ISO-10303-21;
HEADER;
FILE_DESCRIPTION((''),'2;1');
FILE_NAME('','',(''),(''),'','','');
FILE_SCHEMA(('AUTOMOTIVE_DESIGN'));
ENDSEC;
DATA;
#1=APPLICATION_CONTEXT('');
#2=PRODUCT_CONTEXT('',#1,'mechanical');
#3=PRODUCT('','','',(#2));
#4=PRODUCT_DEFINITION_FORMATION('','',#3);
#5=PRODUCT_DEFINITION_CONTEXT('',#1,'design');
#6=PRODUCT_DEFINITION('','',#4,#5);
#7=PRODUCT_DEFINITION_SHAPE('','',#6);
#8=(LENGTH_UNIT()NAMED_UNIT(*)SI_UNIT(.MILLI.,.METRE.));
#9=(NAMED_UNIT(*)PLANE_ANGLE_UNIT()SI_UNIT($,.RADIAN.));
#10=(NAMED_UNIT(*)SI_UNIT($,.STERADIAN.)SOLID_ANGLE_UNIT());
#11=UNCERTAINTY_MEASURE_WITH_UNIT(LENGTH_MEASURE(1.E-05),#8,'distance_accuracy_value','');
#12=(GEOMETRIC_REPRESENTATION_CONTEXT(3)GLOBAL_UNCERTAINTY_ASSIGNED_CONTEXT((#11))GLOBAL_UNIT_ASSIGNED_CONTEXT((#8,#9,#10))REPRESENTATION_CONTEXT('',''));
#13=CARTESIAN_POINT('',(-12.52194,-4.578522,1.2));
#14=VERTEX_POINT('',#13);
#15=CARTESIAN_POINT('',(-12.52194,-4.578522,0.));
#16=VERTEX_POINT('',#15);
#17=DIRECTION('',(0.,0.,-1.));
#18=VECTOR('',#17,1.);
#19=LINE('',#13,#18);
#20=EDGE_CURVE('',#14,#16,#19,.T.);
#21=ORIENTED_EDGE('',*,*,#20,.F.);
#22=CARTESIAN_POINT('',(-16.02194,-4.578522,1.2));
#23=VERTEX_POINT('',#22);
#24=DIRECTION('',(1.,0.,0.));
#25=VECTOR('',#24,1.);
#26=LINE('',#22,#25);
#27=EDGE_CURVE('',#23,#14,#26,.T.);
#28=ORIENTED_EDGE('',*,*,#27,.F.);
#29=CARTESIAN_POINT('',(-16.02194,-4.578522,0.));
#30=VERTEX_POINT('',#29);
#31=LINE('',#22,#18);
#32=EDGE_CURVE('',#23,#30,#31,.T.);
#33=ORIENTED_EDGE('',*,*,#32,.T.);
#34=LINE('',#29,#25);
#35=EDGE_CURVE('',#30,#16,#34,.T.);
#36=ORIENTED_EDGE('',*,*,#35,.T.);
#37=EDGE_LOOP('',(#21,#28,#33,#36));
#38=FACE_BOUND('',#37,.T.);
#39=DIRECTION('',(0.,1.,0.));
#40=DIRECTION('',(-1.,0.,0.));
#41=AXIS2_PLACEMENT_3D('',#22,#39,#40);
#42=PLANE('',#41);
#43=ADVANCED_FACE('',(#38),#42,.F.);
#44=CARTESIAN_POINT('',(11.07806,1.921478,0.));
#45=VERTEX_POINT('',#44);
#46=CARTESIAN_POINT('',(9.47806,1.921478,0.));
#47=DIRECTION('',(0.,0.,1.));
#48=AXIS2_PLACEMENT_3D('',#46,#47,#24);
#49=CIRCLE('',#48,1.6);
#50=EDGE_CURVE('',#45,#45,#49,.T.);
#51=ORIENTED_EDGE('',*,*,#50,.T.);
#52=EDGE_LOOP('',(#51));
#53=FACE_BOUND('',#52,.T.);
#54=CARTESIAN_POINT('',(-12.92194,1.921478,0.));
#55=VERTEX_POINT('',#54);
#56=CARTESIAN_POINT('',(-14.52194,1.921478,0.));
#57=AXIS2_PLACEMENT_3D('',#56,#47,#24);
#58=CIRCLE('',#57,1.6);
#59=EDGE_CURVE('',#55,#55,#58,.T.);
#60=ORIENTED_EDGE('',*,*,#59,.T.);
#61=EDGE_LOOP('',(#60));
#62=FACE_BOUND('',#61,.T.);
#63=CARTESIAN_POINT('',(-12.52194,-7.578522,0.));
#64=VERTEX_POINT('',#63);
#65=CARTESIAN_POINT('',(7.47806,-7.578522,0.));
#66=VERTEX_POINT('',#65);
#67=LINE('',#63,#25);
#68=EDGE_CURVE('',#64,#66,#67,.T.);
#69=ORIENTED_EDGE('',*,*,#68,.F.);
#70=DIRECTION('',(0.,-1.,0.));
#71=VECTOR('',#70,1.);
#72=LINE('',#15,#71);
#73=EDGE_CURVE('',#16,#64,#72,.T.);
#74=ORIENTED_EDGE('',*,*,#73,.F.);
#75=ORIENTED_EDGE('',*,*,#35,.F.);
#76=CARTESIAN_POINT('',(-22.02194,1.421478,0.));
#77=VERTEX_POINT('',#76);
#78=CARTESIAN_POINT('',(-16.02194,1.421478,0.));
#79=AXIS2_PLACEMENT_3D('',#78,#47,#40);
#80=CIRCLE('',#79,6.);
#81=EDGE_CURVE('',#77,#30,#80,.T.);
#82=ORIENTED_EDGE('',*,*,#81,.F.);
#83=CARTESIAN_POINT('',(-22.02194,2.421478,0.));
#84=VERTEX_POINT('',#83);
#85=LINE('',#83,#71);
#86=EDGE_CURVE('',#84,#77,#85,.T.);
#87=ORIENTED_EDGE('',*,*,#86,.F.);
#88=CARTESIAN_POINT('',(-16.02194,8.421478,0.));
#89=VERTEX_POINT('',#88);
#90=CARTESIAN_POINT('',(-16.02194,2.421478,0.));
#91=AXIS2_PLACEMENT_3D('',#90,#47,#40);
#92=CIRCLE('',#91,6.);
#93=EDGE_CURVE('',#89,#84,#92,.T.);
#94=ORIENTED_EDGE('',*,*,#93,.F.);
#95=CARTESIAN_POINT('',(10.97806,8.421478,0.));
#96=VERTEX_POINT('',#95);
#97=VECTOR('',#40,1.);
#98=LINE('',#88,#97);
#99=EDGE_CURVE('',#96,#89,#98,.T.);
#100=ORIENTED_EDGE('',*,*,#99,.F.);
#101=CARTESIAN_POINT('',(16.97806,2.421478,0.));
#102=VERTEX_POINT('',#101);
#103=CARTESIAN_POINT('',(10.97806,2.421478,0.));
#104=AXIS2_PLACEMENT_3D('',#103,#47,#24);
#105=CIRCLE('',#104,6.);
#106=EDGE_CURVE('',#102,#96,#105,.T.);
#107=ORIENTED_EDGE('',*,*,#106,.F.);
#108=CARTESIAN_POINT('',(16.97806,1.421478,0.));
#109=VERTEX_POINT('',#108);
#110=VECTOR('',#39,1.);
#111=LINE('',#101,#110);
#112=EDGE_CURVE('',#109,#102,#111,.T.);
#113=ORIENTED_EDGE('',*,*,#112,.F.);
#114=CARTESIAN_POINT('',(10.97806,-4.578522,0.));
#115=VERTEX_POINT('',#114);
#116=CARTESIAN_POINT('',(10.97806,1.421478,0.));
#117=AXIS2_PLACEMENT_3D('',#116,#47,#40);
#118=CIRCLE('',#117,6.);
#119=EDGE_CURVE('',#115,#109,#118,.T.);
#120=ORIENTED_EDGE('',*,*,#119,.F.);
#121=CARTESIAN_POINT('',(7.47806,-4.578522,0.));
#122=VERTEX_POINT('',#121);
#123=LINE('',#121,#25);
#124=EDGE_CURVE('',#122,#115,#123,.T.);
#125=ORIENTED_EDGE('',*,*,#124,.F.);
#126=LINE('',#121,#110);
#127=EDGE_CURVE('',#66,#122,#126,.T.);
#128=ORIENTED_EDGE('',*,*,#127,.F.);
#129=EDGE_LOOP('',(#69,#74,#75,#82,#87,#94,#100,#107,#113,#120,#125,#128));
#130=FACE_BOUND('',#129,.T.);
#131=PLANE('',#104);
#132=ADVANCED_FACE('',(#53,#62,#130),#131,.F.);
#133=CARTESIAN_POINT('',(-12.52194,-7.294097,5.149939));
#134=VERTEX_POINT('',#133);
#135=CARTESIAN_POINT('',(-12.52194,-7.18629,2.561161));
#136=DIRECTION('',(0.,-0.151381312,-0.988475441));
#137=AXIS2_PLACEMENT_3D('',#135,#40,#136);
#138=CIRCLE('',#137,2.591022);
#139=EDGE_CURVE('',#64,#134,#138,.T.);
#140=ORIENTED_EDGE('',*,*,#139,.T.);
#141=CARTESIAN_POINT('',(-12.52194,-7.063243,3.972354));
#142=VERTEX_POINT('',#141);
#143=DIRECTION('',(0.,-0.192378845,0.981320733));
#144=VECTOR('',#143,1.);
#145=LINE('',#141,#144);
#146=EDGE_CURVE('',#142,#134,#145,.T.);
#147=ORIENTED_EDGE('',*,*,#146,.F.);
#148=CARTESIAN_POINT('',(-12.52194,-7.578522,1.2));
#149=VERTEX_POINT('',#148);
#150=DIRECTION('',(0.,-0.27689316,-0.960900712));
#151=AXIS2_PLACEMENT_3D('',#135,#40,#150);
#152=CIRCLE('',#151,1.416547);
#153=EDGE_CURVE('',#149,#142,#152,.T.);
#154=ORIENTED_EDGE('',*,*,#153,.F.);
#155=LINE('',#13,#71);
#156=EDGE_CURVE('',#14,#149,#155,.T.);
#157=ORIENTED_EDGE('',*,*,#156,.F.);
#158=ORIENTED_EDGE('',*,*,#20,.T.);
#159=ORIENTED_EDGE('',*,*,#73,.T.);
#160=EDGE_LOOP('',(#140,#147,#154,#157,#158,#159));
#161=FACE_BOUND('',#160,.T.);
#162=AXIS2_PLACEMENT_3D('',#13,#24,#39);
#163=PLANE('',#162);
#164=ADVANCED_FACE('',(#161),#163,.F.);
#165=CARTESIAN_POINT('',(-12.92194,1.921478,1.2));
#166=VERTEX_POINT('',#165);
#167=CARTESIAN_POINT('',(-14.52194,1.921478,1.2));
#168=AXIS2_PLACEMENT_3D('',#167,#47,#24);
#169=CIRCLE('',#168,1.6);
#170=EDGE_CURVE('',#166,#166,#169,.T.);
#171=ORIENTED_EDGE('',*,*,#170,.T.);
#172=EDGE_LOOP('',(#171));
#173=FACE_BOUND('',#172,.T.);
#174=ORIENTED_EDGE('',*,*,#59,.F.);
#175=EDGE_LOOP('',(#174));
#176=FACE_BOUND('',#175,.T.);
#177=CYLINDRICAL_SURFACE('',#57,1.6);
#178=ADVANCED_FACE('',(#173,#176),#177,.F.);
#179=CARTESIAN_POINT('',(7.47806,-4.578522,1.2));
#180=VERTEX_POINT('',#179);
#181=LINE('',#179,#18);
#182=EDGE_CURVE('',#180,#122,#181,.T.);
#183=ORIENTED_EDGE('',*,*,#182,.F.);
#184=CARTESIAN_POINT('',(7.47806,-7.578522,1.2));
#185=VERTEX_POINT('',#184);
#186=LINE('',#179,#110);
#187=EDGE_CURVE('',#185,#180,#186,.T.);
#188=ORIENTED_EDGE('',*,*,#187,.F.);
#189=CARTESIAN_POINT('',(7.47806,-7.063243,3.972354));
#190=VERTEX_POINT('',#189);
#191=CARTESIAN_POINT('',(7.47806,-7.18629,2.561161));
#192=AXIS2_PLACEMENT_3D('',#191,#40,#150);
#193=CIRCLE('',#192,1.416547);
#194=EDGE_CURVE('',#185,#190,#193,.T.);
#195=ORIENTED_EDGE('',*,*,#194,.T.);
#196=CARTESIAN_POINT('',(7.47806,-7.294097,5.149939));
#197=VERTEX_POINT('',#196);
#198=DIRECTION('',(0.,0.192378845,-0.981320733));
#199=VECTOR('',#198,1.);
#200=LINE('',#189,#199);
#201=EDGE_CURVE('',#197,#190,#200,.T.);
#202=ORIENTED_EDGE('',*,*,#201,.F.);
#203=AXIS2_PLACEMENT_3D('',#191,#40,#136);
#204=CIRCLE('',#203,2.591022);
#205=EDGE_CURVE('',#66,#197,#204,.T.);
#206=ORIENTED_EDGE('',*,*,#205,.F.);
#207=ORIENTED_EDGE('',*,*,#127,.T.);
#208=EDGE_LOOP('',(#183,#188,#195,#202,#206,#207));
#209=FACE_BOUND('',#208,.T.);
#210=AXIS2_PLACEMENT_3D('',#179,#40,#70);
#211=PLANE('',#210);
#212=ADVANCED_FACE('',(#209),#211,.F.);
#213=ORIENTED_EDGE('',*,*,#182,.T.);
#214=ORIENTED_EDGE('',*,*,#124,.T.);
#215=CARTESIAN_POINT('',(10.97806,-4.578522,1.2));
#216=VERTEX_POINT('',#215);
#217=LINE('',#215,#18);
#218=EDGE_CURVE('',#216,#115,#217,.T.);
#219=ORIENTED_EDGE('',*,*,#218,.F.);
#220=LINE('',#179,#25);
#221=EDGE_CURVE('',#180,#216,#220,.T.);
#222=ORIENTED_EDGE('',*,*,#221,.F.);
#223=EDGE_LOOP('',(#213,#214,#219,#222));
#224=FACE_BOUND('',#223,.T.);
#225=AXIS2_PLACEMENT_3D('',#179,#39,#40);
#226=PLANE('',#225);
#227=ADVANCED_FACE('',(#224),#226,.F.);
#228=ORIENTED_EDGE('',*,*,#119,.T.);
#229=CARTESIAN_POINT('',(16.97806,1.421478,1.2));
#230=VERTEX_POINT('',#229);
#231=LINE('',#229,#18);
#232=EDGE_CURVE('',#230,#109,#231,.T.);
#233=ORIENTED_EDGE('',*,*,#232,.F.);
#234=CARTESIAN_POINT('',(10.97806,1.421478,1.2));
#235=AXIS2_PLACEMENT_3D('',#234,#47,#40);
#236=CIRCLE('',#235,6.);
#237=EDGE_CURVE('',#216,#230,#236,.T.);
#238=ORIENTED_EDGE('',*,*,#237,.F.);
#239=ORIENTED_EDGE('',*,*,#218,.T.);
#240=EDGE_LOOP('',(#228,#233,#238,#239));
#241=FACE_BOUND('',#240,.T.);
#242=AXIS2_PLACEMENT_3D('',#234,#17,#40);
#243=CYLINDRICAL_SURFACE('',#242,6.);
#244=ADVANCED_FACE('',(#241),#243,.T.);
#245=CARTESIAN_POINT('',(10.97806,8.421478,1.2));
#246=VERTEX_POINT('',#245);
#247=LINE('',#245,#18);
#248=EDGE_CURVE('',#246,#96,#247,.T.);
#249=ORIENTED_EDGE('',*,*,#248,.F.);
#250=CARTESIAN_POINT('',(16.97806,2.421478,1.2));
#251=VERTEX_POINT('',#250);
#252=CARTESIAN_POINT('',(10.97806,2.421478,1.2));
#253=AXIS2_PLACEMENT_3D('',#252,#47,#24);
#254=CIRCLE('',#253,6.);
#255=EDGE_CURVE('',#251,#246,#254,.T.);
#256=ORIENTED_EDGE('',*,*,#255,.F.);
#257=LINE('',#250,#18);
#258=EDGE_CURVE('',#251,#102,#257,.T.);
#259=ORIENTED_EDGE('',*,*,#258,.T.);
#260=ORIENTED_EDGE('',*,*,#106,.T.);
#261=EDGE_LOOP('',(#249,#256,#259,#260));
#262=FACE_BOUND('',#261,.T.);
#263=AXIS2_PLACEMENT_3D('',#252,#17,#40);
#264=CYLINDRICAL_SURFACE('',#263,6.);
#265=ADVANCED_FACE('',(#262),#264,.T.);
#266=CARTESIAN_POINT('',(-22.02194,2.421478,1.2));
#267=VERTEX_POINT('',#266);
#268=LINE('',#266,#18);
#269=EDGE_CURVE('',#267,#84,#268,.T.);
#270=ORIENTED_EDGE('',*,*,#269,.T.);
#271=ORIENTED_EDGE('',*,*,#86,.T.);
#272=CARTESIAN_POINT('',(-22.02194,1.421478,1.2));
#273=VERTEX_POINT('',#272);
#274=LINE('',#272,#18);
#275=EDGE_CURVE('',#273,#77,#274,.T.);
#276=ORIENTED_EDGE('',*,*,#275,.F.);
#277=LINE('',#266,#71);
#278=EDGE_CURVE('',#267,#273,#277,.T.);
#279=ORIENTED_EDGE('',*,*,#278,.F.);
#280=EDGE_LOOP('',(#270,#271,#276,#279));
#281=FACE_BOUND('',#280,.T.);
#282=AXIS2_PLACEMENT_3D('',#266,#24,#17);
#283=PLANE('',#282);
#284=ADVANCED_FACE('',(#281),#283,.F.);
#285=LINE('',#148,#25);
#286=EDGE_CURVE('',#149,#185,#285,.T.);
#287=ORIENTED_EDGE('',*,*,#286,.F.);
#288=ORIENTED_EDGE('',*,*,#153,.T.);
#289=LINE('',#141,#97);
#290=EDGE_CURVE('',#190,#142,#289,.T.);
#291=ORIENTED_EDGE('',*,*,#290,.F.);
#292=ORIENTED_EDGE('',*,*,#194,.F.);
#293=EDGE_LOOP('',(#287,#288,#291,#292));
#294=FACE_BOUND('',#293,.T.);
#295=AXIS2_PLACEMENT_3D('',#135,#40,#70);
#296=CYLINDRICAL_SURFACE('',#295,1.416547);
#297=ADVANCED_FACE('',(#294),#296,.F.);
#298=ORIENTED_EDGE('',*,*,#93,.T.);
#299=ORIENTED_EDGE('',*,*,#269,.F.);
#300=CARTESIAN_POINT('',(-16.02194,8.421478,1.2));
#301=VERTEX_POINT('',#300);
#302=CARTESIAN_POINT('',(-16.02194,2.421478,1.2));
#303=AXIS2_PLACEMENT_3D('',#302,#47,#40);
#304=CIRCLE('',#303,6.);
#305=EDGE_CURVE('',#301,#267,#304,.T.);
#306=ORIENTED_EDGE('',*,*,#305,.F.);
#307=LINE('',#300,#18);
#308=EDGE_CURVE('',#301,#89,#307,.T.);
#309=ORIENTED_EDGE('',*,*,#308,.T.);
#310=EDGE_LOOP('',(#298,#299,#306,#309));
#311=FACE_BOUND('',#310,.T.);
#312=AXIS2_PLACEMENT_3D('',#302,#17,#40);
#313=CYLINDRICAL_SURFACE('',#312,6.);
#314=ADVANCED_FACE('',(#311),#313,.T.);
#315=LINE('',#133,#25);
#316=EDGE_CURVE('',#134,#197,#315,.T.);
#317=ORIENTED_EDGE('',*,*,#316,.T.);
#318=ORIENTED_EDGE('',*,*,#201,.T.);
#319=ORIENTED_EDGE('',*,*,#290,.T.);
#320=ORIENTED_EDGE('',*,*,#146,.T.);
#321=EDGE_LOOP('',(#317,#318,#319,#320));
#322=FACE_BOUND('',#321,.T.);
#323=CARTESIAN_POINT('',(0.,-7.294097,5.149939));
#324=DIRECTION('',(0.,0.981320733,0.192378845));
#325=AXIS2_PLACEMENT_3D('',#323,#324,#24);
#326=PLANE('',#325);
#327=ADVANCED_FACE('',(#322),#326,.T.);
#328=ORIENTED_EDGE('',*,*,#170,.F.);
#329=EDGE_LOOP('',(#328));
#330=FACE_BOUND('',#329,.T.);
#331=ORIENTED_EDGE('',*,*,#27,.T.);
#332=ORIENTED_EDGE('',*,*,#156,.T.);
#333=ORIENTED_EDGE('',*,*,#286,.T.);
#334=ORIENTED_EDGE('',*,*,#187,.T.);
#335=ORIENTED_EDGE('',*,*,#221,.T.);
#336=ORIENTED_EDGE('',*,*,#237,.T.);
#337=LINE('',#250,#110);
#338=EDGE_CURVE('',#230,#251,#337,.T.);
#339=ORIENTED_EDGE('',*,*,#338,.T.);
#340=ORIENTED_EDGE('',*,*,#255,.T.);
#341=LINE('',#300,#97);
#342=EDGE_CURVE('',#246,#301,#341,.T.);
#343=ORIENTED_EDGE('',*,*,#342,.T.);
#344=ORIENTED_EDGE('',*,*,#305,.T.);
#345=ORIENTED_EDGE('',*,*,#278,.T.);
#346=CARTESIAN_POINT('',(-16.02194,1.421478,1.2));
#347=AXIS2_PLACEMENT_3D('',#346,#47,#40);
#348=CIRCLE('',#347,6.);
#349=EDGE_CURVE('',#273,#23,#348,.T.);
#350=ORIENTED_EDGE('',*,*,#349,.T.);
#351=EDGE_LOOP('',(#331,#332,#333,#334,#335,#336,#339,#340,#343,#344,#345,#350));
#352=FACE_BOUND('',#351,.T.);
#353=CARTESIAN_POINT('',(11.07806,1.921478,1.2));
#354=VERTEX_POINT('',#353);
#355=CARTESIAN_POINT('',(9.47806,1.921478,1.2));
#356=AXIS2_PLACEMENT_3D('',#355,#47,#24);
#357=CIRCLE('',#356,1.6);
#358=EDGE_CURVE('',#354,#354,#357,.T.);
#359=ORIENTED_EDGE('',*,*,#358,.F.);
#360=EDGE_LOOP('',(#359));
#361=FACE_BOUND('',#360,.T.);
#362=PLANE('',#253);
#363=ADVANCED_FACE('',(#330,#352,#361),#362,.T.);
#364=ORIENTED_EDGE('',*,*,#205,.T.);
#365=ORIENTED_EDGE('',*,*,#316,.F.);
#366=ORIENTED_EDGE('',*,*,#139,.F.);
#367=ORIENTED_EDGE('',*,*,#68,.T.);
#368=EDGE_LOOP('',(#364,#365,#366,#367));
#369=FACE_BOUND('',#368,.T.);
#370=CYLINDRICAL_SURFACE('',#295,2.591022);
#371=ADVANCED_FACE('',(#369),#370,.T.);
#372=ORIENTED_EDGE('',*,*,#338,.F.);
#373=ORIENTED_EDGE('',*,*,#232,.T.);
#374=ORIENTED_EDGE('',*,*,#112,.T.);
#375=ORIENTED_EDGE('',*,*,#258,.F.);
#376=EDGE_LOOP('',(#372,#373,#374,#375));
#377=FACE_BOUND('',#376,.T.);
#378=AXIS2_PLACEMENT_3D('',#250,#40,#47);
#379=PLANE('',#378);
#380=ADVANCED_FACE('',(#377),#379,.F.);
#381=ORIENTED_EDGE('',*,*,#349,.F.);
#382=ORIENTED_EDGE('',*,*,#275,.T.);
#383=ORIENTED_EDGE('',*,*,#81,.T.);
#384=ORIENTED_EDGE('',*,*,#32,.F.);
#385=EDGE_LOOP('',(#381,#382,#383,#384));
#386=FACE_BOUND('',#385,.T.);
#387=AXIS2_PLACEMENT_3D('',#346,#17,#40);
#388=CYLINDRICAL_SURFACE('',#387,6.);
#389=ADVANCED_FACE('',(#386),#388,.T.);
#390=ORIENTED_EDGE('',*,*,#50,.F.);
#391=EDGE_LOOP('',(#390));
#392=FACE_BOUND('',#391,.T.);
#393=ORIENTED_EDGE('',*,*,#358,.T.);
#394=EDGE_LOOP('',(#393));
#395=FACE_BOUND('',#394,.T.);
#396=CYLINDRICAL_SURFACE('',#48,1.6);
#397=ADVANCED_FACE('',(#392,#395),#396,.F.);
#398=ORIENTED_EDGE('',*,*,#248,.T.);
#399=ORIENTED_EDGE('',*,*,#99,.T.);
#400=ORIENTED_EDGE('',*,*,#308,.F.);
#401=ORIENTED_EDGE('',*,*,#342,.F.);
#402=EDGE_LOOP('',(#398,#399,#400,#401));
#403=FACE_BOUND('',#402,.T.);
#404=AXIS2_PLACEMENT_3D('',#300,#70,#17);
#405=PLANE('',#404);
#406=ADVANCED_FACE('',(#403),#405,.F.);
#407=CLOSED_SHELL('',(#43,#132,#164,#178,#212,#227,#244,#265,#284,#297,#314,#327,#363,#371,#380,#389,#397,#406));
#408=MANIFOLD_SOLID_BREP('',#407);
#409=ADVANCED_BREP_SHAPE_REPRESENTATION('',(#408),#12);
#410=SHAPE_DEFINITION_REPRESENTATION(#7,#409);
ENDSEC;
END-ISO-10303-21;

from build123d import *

# Parameters (mm, degrees)
EXTRUDE_1_DEPTH     = 1.2
SKETCH_2_R          = 1.6
CUT_EXTRUDE_1_DEPTH = 1.2
SKETCH_4_W          = 20
SKETCH_4_H          = 1.2


with BuildPart() as part:
    # 草图1 → 凸台-拉伸1 (new body)
    with BuildSketch(Plane.XY):
        with BuildLine():
            Line((7.478060046, -4.57852194), (10.978060046, -4.57852194))
            ThreePointArc((10.978060046, -4.57852194), (15.220700733, -2.821162627), (16.978060046, 1.42147806))
            Line((16.978060046, 1.42147806), (16.978060046, 2.42147806))
            ThreePointArc((16.978060046, 2.42147806), (15.220700733, 6.664118747), (10.978060046, 8.42147806))
            Line((10.978060046, 8.42147806), (-16.021939954, 8.42147806))
            ThreePointArc((-16.021939954, 8.42147806), (-20.264580641, 6.664118747), (-22.021939954, 2.42147806))
            Line((-22.021939954, 2.42147806), (-22.021939954, 1.42147806))
            ThreePointArc((-22.021939954, 1.42147806), (-20.264580641, -2.821162627), (-16.021939954, -4.57852194))
            Line((-16.021939954, -4.57852194), (-12.521939954, -4.57852194))
            Line((-12.521939954, -4.57852194), (-12.521939954, -7.57852194))
            Line((-12.521939954, -7.57852194), (7.478060046, -7.57852194))
            Line((7.478060046, -7.57852194), (7.478060046, -4.57852194))
        make_face()
    extrude(amount=EXTRUDE_1_DEPTH)

    # 草图2 → 切除-拉伸1 (cut)
    with BuildSketch(Plane.XY.offset(1.2)):
        with Locations((-14.521939954, 1.92147806)):
            Circle(SKETCH_2_R)
        with Locations((9.478060046, 1.92147806)):
            Circle(SKETCH_2_R)
    extrude(amount=-CUT_EXTRUDE_1_DEPTH, mode=Mode.SUBTRACT)

    # 扫描1: sweep along a path in 草图3
    with BuildLine(Plane.ZY.offset(12.521939954)) as sweep_1_path:
        ThreePointArc((0.6, -7.57852194), (2.762027547, -9.176177297), (4.561146836, -7.178669966))
    # 草图4 → 扫描1 (sweep)
    with BuildSketch(Plane.XZ.offset(7.57852194)):
        with Locations((-2.521939954, 0.6)):
            Rectangle(SKETCH_4_W, SKETCH_4_H)
    sweep(path=sweep_1_path.line)


solid = part.part
